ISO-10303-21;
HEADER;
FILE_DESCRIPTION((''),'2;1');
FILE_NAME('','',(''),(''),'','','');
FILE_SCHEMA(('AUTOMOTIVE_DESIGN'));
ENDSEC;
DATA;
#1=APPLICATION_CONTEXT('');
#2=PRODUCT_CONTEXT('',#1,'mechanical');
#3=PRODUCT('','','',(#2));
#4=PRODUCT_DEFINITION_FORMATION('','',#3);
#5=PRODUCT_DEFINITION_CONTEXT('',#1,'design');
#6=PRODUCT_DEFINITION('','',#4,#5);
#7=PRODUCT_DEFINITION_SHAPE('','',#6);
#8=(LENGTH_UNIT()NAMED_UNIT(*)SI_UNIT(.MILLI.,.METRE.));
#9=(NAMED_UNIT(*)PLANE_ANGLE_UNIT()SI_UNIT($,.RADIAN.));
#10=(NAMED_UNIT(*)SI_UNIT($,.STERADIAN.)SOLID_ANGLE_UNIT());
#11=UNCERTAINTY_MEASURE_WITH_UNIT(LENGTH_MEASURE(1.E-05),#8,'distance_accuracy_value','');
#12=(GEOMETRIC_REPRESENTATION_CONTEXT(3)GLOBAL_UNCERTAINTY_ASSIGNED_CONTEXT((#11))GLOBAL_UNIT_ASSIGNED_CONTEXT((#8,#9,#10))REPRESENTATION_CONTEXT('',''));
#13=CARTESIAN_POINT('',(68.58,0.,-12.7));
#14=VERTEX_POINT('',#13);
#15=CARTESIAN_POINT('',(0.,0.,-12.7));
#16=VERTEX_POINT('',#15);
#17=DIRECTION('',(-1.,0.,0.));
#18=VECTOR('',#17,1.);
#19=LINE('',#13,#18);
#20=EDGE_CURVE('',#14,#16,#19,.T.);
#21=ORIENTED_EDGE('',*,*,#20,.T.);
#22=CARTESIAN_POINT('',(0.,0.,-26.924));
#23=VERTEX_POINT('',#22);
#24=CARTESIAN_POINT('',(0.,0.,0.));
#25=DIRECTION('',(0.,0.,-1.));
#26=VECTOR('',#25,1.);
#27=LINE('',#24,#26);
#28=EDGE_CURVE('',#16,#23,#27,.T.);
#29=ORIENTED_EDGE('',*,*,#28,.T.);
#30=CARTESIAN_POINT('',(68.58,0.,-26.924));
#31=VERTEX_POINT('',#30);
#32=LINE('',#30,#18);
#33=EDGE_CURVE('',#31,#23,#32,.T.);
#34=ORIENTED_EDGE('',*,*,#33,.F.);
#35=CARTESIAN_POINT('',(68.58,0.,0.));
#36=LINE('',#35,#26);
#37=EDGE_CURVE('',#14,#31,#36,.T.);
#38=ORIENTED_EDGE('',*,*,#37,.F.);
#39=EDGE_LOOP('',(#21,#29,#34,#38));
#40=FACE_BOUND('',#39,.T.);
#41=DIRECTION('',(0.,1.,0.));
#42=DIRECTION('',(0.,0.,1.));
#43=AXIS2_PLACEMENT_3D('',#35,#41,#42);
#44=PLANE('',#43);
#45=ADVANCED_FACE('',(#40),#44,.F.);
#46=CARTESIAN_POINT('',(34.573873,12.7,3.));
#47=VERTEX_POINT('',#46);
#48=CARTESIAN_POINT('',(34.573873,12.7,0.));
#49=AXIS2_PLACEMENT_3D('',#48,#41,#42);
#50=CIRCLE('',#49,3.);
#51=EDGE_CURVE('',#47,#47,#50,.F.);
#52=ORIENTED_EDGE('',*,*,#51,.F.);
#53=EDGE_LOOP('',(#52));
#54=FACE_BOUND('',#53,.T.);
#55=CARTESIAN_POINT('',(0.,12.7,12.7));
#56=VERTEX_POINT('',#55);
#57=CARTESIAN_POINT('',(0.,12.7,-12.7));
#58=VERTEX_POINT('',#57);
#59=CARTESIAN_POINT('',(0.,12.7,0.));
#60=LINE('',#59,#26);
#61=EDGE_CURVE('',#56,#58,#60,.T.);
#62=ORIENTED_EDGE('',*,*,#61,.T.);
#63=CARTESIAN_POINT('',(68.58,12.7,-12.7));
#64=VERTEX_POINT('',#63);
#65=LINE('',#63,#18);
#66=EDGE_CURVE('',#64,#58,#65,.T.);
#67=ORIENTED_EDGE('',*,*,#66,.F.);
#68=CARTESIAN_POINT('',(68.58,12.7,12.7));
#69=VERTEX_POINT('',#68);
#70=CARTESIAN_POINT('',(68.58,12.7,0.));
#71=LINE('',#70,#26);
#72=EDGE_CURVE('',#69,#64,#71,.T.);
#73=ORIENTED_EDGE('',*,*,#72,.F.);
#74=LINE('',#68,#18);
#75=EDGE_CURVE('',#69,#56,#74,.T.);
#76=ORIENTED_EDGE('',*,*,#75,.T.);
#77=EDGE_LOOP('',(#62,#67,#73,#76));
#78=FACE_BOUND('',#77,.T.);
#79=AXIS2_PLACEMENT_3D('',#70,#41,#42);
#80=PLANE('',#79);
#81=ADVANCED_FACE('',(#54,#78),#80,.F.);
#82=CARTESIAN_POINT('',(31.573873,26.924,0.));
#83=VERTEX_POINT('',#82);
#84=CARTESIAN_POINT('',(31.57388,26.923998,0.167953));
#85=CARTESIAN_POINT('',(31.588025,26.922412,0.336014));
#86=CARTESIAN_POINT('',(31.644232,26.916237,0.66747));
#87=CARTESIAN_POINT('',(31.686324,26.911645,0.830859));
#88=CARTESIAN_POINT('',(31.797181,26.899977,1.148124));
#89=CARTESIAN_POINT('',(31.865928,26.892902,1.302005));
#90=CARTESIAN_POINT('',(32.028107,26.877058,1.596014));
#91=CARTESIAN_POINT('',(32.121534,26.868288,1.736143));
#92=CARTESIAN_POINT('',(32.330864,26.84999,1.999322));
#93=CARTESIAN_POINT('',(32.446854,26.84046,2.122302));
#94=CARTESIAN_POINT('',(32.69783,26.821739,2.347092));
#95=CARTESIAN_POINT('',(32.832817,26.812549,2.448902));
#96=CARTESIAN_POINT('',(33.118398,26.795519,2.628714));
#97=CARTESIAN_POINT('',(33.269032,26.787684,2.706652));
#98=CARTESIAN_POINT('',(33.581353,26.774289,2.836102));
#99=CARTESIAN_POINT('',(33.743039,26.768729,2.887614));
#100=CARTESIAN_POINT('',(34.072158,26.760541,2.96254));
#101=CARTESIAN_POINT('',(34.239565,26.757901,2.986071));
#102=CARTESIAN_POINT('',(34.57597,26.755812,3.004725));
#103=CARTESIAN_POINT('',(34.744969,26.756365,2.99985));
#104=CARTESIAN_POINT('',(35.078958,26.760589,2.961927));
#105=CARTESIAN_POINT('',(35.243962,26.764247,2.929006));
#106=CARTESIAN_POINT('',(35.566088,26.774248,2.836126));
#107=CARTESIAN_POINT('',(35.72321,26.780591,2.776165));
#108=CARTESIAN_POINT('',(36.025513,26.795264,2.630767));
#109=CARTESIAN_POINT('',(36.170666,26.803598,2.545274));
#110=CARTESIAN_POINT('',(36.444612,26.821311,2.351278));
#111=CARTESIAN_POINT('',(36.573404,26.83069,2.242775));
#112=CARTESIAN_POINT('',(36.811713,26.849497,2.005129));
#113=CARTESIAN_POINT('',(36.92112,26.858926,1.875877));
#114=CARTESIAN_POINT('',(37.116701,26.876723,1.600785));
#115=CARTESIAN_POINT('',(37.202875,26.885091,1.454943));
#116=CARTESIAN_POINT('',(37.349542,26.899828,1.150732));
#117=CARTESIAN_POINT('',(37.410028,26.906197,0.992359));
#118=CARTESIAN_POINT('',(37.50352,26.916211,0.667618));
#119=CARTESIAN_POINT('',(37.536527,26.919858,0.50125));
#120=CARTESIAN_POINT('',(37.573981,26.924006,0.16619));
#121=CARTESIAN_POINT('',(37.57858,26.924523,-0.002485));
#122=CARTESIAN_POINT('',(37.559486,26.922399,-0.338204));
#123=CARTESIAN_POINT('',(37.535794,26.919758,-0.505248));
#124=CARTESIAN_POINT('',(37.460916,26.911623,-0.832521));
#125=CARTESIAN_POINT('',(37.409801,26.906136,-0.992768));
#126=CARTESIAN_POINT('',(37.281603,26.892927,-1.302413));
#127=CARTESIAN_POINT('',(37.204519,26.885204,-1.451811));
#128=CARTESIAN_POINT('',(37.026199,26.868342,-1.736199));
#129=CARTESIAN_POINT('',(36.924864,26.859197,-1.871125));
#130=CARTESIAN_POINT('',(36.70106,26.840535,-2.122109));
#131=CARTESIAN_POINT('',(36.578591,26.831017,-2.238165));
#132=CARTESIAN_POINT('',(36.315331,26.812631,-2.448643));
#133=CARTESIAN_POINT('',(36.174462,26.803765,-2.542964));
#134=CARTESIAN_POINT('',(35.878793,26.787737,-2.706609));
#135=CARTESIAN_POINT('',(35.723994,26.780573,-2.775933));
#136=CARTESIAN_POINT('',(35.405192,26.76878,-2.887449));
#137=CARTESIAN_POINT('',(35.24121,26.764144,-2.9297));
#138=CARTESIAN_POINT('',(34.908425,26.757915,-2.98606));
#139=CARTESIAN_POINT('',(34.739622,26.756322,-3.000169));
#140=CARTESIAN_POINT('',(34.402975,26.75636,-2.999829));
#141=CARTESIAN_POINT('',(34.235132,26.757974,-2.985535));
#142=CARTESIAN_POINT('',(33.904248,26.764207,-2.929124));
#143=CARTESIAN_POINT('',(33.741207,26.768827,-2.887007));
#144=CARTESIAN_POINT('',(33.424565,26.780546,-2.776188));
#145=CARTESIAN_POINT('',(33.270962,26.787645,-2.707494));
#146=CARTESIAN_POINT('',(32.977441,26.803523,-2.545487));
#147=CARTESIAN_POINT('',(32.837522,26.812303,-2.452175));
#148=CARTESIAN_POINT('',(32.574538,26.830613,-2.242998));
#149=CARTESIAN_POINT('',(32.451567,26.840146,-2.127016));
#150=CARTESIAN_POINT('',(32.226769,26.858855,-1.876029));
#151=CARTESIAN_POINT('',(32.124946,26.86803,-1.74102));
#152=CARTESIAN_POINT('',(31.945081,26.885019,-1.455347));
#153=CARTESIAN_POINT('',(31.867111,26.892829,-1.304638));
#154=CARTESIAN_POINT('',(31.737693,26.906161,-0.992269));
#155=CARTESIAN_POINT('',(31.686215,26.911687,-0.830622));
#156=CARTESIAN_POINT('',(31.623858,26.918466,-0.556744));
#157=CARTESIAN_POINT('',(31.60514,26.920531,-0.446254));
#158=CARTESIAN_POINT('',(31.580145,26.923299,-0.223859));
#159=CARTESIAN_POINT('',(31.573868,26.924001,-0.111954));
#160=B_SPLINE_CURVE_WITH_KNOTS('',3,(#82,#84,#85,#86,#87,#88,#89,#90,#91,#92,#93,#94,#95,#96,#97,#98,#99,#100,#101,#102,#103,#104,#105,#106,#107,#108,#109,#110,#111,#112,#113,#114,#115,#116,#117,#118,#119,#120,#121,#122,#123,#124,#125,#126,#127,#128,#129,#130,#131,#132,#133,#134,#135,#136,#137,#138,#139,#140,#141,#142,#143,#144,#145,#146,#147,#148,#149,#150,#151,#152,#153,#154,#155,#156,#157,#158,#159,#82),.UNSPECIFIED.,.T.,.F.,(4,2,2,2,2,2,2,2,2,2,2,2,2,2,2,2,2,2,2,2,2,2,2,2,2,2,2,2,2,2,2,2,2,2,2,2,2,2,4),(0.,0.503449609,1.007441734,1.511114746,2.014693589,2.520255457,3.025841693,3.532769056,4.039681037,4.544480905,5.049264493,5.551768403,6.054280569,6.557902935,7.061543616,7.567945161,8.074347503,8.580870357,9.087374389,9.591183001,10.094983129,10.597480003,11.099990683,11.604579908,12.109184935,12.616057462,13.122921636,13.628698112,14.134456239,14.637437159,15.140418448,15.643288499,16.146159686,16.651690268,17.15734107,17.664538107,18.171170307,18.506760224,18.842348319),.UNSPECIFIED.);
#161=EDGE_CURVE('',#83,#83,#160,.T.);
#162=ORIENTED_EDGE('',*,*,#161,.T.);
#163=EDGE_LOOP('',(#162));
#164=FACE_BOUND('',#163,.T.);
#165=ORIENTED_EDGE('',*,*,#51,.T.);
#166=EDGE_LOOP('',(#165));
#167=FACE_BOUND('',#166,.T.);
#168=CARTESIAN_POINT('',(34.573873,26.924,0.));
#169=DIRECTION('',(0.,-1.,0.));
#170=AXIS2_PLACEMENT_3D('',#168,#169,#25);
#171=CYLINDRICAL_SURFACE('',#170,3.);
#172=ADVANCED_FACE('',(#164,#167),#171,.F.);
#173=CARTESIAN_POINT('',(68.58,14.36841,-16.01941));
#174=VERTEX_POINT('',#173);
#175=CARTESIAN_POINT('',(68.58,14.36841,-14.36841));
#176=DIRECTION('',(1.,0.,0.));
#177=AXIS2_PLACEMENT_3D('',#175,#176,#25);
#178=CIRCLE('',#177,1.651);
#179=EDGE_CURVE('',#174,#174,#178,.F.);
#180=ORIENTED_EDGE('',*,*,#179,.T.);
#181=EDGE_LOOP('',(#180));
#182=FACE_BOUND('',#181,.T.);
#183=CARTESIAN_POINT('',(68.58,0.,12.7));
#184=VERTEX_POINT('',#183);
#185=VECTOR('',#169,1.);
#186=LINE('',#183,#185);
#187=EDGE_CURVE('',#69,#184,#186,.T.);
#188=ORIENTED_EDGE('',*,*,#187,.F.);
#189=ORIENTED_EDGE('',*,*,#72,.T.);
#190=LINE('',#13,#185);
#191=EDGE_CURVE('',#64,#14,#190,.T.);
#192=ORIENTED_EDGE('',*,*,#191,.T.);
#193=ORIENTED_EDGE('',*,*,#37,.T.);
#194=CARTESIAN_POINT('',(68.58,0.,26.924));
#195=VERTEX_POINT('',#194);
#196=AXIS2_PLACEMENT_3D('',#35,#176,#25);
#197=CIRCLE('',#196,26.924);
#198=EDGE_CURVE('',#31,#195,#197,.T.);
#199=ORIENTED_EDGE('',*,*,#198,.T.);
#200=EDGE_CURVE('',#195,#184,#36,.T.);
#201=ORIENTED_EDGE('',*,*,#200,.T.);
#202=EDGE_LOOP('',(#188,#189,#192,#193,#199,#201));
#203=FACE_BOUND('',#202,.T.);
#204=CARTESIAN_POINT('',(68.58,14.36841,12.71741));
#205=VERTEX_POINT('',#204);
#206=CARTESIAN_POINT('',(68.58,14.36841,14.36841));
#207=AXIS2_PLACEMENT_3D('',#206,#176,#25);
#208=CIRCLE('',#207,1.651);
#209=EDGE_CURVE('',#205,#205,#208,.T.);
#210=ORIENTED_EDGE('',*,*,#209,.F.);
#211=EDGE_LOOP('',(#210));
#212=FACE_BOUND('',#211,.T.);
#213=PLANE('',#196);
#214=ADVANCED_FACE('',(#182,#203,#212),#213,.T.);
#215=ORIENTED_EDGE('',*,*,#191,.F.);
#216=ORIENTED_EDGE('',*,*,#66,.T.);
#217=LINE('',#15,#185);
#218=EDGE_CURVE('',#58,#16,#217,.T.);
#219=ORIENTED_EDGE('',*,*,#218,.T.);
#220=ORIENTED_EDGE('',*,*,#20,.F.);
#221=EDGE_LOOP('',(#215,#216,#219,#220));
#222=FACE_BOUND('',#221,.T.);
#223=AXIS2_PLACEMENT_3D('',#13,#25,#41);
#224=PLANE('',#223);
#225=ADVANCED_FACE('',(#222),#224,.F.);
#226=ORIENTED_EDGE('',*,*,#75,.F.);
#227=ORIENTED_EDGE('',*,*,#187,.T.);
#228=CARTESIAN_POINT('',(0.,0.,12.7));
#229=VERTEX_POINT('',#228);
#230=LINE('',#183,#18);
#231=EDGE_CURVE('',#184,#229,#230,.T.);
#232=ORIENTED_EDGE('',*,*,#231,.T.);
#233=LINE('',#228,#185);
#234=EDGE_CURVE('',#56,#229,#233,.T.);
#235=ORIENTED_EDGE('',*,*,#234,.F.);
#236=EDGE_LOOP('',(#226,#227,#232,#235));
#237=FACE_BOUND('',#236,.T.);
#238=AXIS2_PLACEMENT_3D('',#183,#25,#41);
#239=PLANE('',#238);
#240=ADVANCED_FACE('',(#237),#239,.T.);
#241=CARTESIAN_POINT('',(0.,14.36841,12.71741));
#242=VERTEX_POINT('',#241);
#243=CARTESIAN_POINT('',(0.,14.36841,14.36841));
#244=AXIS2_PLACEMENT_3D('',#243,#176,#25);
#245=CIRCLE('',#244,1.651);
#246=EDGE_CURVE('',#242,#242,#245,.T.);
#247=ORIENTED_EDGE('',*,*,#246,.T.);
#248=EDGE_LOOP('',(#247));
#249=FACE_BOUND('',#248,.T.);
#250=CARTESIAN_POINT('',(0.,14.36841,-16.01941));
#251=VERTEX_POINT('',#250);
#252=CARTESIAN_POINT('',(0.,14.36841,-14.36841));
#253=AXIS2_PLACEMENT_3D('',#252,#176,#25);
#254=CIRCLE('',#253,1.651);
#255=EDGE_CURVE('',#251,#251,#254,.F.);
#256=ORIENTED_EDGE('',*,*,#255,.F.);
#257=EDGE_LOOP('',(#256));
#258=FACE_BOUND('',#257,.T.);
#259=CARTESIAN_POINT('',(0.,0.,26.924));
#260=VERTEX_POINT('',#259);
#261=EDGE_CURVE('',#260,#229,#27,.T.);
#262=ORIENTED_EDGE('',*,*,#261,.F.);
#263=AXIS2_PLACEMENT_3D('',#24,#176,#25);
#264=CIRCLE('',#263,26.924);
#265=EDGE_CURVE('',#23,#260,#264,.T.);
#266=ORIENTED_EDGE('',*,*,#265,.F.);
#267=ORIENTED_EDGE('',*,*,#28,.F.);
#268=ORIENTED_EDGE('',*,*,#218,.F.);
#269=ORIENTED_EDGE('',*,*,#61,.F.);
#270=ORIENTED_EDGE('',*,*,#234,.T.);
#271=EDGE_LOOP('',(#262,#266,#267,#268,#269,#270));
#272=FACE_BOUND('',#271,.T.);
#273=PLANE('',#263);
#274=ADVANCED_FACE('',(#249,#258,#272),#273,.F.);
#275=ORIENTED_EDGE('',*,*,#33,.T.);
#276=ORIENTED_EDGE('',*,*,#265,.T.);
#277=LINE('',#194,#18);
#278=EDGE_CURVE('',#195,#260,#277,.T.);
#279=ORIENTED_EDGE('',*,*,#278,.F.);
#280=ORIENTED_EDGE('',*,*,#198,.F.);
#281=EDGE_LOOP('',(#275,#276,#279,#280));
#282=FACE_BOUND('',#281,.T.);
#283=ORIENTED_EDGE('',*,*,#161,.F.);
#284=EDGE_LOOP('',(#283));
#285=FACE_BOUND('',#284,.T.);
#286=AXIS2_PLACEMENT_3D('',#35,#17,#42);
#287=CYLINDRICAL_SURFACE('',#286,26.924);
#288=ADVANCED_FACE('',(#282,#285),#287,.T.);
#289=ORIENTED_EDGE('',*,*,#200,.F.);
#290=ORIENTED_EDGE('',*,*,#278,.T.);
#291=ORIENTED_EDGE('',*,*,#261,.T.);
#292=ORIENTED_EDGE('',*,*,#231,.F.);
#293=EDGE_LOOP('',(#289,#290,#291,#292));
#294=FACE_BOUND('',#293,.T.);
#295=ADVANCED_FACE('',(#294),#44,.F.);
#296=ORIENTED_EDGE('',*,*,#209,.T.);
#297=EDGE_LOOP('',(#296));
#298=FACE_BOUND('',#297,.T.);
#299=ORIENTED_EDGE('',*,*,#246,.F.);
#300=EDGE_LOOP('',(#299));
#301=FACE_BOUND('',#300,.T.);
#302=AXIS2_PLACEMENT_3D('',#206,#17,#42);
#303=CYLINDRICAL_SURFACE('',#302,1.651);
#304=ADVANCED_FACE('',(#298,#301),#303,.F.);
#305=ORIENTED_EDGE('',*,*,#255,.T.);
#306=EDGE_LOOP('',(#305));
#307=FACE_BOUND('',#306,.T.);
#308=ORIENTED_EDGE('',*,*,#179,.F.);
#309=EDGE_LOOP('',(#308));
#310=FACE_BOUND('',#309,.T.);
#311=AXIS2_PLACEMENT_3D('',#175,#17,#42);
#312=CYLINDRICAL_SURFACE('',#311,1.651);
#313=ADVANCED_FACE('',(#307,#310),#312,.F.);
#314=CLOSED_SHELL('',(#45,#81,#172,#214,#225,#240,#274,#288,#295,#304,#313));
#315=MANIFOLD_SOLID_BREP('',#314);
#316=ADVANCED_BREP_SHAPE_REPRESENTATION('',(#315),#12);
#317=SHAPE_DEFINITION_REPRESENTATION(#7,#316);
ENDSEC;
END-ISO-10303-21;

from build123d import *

# Parameters (mm, degrees)
SKETCH2_R               = 1.651
BOSS_EXTRUDE1_DEPTH     = 68.58
CUT_EXTRUDE3_DEPTH      = 79.441187854
CUT_EXTRUDE3_DEPTH_BACK = 79.441187854
SKETCH3_R               = 3


with BuildPart() as part:
    # Sketch2 → Boss-Extrude1 (new body)
    with BuildSketch(Plane(origin=(0, 0, 0), x_dir=(0, 0, -1), z_dir=(1, 0, 0))):
        with BuildLine():
            Line((-12.7, 12.7), (12.7, 12.7))
            Line((12.7, 12.7), (12.7, 0))
            Line((12.7, 0), (26.924, 0))
            ThreePointArc((26.924, 0), (0, 26.924), (-26.924, 0))
            Line((-26.924, 0), (-12.7, 0))
            Line((-12.7, 0), (-12.7, 12.7))
        make_face()
        with Locations((14.368409794, 14.368409794)):
            Circle(SKETCH2_R, mode=Mode.SUBTRACT)
        with Locations((-14.368409794, 14.368409794)):
            Circle(SKETCH2_R, mode=Mode.SUBTRACT)
    extrude(amount=BOSS_EXTRUDE1_DEPTH)

    # Sketch3 → Cut-Extrude3 (cut, two sides: drawn at the far end of the back side and taken through both)
    with BuildSketch(Plane(origin=(0, 0, 0), x_dir=(1, 0, 0), z_dir=(0, 1, 0)).offset(-CUT_EXTRUDE3_DEPTH_BACK)):
        with Locations(Location((34.57387325, 0, 0), (0, 0, 180))):
            Circle(SKETCH3_R)
    extrude(amount=CUT_EXTRUDE3_DEPTH + CUT_EXTRUDE3_DEPTH_BACK, mode=Mode.SUBTRACT)


solid = part.part
